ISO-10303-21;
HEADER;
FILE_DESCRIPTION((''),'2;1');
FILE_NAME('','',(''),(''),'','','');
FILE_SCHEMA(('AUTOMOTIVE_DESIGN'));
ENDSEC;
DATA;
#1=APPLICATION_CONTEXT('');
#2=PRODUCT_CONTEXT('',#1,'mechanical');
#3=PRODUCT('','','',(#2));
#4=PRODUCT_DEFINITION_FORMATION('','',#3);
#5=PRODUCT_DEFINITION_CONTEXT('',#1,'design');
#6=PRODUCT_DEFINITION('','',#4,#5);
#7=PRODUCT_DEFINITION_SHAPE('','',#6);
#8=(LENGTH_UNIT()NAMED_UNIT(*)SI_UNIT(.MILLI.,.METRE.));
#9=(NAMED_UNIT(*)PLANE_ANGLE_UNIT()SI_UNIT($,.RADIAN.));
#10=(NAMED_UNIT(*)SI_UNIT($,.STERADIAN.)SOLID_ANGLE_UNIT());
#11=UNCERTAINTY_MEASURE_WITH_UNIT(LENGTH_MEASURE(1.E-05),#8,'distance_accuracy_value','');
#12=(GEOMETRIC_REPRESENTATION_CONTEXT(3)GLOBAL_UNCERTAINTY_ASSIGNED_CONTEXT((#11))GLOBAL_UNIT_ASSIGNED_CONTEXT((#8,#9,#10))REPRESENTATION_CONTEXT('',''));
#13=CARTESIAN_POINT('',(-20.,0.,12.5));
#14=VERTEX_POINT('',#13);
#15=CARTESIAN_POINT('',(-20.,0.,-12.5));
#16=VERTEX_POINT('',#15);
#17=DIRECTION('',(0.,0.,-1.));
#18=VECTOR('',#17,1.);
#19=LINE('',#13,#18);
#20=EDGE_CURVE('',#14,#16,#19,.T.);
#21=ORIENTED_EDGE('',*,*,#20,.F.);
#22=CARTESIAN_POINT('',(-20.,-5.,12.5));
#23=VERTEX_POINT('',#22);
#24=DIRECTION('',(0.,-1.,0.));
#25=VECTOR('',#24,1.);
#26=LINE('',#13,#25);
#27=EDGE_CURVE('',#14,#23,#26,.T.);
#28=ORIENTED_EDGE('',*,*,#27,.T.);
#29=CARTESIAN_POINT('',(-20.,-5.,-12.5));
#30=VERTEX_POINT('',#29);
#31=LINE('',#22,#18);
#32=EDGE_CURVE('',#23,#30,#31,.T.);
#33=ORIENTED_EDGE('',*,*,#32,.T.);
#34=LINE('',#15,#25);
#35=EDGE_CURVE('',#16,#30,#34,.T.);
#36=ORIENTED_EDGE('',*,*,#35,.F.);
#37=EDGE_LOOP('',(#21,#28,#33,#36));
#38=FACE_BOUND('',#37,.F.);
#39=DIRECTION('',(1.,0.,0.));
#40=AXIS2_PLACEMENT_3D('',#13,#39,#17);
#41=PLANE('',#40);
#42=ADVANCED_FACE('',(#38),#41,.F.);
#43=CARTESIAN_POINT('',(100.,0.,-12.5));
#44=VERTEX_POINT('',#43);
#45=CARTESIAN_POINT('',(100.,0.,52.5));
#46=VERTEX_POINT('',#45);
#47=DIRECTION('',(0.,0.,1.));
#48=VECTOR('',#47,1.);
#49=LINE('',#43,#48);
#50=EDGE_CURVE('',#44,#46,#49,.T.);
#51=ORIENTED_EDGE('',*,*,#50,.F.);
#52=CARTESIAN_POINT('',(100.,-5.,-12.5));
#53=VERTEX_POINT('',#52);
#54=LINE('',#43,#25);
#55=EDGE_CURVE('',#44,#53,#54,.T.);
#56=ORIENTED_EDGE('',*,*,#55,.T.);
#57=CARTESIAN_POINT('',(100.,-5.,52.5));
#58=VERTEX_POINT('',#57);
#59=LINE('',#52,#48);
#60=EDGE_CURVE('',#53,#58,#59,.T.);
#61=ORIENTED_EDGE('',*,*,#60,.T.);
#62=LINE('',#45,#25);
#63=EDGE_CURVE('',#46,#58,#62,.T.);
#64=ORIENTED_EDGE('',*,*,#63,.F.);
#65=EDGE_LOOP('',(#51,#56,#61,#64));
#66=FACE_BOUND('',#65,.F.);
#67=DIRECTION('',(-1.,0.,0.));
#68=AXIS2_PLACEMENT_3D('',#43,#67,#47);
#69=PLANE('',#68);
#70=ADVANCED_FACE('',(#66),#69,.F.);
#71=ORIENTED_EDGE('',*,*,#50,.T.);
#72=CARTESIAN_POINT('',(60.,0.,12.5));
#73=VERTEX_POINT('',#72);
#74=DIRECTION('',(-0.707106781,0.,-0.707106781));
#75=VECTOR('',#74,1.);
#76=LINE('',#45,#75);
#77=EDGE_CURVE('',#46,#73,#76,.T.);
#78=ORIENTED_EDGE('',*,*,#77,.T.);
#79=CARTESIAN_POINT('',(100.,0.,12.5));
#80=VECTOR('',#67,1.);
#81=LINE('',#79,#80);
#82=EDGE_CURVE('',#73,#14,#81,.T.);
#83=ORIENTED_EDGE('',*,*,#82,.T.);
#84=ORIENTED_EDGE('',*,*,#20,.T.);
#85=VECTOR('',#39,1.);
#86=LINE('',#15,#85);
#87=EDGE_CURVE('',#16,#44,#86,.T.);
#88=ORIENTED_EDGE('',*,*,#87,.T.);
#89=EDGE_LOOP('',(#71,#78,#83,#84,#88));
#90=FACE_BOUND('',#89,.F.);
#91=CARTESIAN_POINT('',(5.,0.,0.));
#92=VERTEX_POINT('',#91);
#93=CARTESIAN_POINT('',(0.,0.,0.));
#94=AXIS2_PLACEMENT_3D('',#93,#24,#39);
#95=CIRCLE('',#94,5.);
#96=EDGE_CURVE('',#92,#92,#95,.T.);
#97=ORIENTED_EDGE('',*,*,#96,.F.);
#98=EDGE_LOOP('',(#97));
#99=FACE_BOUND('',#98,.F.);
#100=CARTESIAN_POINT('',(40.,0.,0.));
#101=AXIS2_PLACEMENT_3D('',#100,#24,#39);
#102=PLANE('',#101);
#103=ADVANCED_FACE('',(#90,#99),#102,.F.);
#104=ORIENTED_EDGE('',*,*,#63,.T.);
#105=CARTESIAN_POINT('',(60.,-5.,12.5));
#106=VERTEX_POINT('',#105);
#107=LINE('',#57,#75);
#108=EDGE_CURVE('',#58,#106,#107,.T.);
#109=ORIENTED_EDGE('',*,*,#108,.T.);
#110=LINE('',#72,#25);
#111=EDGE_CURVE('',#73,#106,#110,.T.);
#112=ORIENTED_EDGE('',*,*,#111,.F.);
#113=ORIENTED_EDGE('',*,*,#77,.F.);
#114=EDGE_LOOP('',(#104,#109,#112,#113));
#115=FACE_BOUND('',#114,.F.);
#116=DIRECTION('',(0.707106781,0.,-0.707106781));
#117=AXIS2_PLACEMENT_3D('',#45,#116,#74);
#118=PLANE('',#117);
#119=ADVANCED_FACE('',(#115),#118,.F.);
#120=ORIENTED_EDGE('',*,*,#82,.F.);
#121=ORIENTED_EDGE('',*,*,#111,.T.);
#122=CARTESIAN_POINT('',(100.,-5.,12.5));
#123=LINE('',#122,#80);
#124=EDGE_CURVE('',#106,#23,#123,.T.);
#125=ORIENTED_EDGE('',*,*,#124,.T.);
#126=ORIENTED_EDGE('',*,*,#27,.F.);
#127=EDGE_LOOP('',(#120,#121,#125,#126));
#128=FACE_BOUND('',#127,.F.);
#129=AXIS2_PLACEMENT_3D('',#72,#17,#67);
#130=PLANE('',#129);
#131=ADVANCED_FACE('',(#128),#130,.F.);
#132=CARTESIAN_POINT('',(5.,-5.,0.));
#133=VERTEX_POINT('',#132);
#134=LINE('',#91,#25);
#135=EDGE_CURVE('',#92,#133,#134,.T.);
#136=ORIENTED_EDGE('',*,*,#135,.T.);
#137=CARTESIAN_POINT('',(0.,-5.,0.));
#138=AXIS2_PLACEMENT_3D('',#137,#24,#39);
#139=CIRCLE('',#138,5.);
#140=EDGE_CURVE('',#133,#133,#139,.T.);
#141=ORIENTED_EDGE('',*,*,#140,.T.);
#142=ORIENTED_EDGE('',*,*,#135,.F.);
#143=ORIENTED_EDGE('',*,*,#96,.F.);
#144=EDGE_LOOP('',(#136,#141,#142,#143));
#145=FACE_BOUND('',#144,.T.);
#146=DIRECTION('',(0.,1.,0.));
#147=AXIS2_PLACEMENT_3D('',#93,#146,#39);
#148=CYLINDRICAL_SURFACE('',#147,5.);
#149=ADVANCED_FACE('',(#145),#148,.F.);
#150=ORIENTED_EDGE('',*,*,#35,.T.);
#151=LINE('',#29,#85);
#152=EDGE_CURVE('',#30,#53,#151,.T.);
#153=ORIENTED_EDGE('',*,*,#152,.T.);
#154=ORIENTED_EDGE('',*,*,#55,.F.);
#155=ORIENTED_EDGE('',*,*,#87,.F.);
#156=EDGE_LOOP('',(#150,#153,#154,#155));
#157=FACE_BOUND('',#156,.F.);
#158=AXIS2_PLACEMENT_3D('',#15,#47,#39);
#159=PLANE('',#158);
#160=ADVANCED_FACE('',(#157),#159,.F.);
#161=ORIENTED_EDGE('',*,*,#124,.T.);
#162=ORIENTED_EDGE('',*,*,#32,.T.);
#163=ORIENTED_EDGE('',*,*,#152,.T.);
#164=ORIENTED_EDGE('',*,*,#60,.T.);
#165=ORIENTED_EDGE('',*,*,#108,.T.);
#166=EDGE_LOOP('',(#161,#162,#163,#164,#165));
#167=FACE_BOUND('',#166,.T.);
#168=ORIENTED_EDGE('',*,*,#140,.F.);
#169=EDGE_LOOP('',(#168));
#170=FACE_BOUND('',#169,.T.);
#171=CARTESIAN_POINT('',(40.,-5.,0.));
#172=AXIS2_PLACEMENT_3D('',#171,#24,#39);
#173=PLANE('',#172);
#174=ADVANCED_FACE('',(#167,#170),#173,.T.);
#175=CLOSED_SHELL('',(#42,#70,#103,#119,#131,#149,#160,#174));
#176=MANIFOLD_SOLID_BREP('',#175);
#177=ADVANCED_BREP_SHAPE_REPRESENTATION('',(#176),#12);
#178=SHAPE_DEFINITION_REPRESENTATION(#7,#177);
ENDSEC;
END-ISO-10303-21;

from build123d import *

# Parameters (mm, degrees)
F0_R     = 5
F1_DEPTH = 5


with BuildPart() as f1:
    # F0 (on Front) → F1 (new body)
    with BuildSketch(Plane.XZ):
        Polygon((60, 12.5), (-20, 12.5), (-20, -12.5), (100, -12.5), (100, 12.5), align=None)
        Circle(F0_R, mode=Mode.SUBTRACT)
        Polygon((100, 52.5), (60, 12.5), (100, 12.5), align=None)
    extrude(amount=F1_DEPTH)


solid = f1.part
